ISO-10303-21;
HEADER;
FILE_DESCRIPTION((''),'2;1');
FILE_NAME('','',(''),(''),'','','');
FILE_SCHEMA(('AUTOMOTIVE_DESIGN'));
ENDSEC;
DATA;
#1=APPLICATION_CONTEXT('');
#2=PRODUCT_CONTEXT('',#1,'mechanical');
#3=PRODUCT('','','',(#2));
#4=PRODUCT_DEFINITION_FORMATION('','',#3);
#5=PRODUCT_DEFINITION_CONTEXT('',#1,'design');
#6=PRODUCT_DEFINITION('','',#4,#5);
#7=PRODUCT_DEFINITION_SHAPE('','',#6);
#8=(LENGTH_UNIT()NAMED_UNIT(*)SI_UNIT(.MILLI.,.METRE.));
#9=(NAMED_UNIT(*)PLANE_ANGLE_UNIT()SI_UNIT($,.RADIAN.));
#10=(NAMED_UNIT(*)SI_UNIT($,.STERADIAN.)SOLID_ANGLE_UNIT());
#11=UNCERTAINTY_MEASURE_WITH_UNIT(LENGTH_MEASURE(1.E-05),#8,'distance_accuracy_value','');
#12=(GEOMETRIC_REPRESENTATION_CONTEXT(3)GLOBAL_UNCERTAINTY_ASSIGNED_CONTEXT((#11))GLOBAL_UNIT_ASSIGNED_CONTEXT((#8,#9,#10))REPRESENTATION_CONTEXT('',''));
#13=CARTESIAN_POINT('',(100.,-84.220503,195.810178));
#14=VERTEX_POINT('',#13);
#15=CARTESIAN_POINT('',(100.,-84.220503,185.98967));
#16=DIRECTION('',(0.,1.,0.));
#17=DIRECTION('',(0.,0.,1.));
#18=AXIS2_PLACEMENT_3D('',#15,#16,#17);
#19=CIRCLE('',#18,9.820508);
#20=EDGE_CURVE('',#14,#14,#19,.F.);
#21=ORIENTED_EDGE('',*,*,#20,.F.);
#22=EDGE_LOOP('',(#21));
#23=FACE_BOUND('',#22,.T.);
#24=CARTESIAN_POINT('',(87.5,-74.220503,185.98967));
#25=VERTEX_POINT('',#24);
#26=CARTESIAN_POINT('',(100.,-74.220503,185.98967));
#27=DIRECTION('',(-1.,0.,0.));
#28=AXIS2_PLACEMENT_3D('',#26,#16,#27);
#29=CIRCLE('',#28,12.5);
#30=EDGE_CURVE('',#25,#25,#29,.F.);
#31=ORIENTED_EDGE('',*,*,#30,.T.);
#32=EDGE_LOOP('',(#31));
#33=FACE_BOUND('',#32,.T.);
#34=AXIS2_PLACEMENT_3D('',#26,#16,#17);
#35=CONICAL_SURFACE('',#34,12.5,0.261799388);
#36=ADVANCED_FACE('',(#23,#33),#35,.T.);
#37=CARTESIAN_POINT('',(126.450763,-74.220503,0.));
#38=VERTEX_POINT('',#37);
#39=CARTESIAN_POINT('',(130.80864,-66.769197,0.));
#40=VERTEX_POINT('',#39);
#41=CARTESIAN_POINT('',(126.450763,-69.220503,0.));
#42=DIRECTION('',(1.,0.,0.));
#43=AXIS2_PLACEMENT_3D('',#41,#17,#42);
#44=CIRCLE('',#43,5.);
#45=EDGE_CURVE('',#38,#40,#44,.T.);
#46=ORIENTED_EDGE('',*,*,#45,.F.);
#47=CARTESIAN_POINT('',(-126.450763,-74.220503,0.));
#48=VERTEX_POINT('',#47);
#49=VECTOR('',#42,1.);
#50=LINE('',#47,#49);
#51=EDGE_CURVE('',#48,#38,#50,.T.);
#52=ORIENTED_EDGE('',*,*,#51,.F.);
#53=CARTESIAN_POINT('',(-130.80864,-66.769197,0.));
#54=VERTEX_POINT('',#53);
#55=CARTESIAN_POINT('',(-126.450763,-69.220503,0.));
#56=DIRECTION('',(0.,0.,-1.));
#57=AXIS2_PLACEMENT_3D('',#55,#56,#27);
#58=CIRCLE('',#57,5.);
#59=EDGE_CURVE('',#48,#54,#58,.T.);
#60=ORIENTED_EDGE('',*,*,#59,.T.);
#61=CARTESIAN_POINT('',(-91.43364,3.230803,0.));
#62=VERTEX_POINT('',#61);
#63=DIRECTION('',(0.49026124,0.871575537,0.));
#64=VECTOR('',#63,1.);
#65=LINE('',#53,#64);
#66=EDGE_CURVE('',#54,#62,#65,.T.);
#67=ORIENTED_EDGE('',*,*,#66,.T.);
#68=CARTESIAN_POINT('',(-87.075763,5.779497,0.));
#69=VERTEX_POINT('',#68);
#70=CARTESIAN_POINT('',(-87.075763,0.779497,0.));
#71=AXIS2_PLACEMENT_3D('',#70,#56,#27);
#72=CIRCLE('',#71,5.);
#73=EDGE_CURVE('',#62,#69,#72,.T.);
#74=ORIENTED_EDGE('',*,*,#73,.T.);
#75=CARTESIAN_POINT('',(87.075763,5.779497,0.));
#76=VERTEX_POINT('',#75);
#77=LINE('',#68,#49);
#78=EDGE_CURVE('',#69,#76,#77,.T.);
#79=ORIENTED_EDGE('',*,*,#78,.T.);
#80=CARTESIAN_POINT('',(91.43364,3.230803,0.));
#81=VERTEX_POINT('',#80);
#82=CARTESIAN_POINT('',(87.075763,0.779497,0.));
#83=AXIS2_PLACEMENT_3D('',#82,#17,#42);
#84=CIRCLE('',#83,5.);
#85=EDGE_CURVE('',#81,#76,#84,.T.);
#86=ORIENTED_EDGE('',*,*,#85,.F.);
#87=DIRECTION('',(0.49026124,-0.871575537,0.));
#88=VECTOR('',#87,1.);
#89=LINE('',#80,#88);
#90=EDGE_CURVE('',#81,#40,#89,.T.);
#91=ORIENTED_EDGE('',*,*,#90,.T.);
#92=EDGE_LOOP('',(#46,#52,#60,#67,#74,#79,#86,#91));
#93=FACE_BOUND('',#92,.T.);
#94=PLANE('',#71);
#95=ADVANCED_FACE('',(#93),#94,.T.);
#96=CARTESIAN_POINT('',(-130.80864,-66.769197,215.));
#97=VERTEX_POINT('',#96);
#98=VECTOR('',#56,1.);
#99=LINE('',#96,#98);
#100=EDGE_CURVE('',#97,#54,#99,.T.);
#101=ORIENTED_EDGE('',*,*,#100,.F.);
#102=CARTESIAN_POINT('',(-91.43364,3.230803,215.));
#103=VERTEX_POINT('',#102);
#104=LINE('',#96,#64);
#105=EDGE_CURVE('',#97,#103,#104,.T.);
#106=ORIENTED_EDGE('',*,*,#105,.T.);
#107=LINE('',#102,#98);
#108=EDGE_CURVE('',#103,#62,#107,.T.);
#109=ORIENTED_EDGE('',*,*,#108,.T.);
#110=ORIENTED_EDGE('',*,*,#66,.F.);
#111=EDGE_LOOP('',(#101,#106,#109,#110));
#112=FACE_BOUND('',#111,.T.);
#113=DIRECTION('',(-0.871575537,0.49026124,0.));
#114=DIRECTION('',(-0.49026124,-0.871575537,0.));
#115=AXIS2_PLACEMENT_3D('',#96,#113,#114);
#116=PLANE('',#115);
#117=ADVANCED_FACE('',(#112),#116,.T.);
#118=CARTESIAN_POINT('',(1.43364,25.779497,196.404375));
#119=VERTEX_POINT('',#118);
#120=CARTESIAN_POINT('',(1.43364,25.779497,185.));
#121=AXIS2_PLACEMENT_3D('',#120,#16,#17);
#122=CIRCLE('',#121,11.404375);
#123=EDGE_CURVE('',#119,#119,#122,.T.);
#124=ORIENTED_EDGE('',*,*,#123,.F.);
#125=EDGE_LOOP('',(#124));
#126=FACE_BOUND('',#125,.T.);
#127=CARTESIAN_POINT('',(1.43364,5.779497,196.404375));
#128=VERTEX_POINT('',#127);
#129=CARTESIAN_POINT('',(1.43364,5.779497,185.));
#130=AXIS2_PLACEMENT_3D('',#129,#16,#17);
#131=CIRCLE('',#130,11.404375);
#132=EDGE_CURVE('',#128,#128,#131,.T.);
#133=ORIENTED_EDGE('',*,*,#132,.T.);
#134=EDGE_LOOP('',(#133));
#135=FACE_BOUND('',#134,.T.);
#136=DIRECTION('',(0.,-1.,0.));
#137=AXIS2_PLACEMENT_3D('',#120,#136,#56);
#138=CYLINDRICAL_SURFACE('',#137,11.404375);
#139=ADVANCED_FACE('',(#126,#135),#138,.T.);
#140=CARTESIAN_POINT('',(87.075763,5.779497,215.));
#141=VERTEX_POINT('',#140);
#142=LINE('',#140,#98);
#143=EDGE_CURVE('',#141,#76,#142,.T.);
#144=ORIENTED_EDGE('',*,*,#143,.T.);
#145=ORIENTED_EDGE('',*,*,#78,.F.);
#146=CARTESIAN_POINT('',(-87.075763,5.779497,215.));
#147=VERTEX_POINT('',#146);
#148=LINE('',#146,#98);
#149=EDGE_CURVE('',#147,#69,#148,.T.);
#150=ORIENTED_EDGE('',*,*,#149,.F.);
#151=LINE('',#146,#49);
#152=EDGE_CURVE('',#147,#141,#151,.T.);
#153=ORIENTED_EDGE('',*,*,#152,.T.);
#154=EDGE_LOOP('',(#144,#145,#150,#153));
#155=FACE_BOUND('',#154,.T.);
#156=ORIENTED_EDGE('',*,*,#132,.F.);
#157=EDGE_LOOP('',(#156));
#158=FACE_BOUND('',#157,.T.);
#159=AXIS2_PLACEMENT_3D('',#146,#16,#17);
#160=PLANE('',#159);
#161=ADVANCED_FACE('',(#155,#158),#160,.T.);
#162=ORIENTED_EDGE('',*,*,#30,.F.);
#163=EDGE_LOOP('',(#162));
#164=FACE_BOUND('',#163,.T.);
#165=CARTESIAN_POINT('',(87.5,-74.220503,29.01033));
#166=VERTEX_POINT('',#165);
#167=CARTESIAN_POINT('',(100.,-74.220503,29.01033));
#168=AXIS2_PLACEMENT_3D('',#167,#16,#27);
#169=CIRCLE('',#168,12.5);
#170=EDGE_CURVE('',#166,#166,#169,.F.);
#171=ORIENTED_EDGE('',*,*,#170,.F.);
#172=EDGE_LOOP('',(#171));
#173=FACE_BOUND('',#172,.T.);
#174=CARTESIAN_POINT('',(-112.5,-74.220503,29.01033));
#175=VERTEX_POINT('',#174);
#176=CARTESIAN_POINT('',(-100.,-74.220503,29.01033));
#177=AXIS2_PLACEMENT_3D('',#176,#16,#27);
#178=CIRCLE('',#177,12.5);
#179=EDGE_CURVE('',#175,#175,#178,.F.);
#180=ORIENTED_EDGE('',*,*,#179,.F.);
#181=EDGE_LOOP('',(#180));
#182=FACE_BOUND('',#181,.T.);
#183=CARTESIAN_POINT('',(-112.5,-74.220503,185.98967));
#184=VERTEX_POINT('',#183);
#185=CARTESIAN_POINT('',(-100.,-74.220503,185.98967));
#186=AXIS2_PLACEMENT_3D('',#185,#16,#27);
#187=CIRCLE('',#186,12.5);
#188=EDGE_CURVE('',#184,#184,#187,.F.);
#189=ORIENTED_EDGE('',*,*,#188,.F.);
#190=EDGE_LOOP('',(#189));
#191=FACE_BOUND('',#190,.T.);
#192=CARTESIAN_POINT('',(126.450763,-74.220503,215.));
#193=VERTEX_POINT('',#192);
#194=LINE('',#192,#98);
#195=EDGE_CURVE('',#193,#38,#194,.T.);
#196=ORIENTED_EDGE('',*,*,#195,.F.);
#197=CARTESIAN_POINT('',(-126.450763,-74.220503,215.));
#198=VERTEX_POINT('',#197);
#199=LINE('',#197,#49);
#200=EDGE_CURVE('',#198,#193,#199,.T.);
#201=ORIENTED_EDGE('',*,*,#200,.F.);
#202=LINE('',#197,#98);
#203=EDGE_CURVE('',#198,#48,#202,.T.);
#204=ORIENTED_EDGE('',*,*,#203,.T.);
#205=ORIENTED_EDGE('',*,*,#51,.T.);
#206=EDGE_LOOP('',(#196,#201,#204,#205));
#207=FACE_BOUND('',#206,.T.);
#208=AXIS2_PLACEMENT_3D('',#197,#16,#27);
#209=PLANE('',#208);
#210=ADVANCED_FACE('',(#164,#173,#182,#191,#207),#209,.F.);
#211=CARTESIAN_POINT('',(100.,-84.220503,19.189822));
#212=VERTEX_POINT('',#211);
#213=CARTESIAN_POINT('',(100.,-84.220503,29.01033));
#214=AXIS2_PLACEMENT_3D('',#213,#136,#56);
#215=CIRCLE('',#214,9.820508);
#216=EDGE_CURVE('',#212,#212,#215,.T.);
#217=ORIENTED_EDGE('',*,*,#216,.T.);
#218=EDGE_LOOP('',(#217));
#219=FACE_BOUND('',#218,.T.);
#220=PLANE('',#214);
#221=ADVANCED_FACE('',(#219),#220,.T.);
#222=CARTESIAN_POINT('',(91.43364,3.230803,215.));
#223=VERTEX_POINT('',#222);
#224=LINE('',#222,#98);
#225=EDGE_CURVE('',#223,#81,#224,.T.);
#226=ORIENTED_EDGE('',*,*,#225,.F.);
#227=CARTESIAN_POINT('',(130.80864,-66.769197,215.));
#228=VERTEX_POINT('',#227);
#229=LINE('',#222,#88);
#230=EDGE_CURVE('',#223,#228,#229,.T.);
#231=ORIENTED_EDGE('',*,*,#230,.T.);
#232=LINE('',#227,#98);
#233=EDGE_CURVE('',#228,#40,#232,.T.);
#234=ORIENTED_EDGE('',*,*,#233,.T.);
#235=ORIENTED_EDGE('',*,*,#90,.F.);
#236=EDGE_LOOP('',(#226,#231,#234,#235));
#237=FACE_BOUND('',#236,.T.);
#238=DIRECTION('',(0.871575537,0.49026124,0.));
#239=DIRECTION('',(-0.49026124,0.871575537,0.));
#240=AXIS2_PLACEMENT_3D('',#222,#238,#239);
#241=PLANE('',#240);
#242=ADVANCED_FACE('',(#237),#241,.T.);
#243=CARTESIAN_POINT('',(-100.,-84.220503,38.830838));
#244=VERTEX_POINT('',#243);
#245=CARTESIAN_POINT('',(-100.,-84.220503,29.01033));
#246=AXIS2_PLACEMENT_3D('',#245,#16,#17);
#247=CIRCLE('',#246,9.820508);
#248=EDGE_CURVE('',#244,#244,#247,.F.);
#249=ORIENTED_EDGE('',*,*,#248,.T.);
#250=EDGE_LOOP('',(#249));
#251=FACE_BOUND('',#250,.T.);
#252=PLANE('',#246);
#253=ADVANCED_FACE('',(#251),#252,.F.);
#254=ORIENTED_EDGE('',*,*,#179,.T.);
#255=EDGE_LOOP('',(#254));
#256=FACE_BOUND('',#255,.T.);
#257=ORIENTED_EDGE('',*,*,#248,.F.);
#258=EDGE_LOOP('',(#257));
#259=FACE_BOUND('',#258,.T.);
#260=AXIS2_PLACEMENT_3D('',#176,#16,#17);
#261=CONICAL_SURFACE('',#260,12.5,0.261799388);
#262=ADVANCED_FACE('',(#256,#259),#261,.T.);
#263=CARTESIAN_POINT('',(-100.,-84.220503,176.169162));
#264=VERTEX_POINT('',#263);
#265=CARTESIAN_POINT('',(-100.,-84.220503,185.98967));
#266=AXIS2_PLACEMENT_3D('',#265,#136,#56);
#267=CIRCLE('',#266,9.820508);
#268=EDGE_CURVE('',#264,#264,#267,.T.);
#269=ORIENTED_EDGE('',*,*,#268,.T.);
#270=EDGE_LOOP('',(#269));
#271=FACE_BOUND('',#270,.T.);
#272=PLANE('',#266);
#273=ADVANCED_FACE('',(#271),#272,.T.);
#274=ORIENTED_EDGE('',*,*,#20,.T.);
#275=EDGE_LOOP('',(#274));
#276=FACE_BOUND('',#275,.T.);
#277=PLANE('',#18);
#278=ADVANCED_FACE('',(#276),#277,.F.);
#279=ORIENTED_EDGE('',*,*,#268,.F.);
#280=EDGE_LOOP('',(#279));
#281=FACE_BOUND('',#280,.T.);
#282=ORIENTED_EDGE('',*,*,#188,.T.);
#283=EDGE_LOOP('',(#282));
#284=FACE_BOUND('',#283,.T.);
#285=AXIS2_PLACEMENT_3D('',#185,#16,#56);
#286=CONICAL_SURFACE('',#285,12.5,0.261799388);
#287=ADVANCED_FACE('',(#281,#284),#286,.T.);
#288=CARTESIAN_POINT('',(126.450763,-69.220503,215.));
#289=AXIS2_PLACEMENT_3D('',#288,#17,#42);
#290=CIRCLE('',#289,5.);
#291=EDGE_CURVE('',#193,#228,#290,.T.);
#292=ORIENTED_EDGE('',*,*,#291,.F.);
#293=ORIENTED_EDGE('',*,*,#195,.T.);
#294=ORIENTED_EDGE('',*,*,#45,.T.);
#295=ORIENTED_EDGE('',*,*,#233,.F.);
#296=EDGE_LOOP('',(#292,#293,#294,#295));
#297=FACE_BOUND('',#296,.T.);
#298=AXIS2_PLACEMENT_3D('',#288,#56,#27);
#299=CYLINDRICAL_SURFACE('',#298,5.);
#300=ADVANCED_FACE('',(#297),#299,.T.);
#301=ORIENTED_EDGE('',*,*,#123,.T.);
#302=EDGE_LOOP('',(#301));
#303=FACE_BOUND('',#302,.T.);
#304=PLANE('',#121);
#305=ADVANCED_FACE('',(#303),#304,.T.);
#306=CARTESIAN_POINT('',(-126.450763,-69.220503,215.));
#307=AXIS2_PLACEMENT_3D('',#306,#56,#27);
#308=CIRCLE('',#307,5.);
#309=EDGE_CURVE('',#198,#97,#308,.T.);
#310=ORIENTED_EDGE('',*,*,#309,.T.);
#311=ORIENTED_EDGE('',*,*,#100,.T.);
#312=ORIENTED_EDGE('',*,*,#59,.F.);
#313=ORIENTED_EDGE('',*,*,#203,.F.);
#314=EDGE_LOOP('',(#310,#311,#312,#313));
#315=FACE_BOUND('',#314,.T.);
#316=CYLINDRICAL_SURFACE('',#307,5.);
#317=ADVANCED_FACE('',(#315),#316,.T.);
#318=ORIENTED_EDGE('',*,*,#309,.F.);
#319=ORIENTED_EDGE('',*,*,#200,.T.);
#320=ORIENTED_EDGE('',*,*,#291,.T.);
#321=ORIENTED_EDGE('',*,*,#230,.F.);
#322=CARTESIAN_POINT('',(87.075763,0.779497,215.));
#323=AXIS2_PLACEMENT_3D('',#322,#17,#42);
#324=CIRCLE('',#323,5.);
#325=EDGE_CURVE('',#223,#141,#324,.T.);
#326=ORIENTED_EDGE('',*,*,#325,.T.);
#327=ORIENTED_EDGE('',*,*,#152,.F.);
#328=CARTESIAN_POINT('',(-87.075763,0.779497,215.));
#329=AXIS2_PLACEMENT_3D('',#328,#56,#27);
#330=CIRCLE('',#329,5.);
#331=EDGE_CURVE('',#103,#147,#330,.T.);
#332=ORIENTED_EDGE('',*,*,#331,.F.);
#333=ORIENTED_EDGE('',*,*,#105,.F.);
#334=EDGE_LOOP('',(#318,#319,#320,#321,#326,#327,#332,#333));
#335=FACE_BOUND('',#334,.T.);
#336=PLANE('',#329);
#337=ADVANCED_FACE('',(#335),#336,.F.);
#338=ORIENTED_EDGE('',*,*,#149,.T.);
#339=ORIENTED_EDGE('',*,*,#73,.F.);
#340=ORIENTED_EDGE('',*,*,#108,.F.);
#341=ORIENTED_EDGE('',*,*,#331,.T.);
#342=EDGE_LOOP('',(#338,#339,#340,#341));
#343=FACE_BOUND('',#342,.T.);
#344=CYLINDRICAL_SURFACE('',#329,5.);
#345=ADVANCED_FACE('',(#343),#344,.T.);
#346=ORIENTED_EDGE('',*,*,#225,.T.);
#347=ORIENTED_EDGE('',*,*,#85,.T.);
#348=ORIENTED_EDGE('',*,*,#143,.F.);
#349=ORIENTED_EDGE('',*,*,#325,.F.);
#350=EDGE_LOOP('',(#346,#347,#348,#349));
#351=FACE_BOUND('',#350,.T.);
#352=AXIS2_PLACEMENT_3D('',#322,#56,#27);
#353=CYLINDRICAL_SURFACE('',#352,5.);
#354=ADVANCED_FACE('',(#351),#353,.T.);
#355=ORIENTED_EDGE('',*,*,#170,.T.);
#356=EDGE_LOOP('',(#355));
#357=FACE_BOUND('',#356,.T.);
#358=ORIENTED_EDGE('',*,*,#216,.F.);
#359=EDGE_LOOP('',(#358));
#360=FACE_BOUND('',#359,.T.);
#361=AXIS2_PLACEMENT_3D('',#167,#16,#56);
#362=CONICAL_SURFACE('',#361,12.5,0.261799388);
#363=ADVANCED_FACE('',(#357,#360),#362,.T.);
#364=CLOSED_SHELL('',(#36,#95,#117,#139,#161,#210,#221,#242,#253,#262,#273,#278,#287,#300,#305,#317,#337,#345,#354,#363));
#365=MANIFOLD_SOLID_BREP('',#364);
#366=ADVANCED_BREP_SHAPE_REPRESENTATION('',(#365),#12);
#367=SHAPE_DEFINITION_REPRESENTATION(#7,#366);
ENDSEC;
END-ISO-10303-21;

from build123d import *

# Parameters (mm, degrees)
EXTRUDE_1_DEPTH           = 215
SKETCH_2_R                = 12.5
EXTRUDE_2_DEPTH           = 10
EXTRUDE_2_DRAFT           = 15
EXTRUDE_2_PROFILE_2_DEPTH = 10
EXTRUDE_2_PROFILE_2_DRAFT = 15
EXTRUDE_2_PROFILE_3_DEPTH = 10
EXTRUDE_2_PROFILE_3_DRAFT = 15
EXTRUDE_2_PROFILE_4_DEPTH = 10
EXTRUDE_2_PROFILE_4_DRAFT = 15
SKETCH1_R                 = 11.40437452
BOSS_EXTRUDE1_DEPTH       = 20


with BuildPart() as part:
    # 草圖1 → 填料-伸長1 (new body)
    with BuildSketch(Plane.XY):
        with BuildLine():
            Line((-130.808640264, -66.769197125), (-91.433640264, 3.230802875))
            ThreePointArc((-91.433640264, 3.230802875), (-89.599992065, 5.095544116), (-87.075762578, 5.779496677))
            Line((-87.075762578, 5.779496677), (87.075762578, 5.779496677))
            ThreePointArc((87.075762578, 5.779496677), (89.599992065, 5.095544116), (91.433640264, 3.230802875))
            Line((91.433640264, 3.230802875), (130.808640264, -66.769197125))
            ThreePointArc((130.808640264, -66.769197125), (130.766810017, -71.74473281), (126.450762578, -74.220503323))
            Line((126.450762578, -74.220503323), (-126.450762578, -74.220503323))
            ThreePointArc((-126.450762578, -74.220503323), (-130.766810017, -71.74473281), (-130.808640264, -66.769197125))
        make_face()
    extrude(amount=EXTRUDE_1_DEPTH)


with BuildPart() as extrude_2_tool:
    # 草圖2 → 填料-伸長2 (with draft: the straight prism first)
    with BuildSketch(Plane.XZ.offset(74.220503323)):
        with Locations((-100, 185.989670211)):
            Circle(SKETCH_2_R)
    extrude(amount=EXTRUDE_2_DEPTH)
    # 填料-伸長2: the draft: its side faces are tilted about the plane it starts from
    extrude_2_sides = [extrude_2_tool.faces().sort_by_distance(p)[0] for p in [
        (-112.5, -79.220503323, 185.989670211),
    ]]
    draft(extrude_2_sides, Plane.XZ.offset(74.220503323), EXTRUDE_2_DRAFT)


with BuildPart() as part_1:
    add(part.part)

    # 填料-伸長2: add extrude_2_tool
    add(extrude_2_tool.part)


with BuildPart() as extrude_2_profile_2_tool:
    # 草圖2 → 填料-伸長2 profile 2 (with draft: the straight prism first)
    with BuildSketch(Plane.XZ.offset(74.220503323)):
        with Locations((-100, 29.010329789)):
            Circle(SKETCH_2_R)
    extrude(amount=EXTRUDE_2_PROFILE_2_DEPTH)
    # 填料-伸長2 profile 2: the draft: its side faces are tilted about the plane it starts from
    extrude_2_profile_2_sides = [extrude_2_profile_2_tool.faces().sort_by_distance(p)[0] for p in [
        (-112.5, -79.220503323, 29.010329789),
    ]]
    draft(extrude_2_profile_2_sides, Plane.XZ.offset(74.220503323), EXTRUDE_2_PROFILE_2_DRAFT)


with BuildPart() as part_2:
    add(part_1.part)

    # 填料-伸長2 profile 2: add extrude_2_profile_2_tool
    add(extrude_2_profile_2_tool.part)


with BuildPart() as extrude_2_profile_3_tool:
    # 草圖2 → 填料-伸長2 profile 3 (with draft: the straight prism first)
    with BuildSketch(Plane.XZ.offset(74.220503323)):
        with Locations((100, 29.010329789)):
            Circle(SKETCH_2_R)
    extrude(amount=EXTRUDE_2_PROFILE_3_DEPTH)
    # 填料-伸長2 profile 3: the draft: its side faces are tilted about the plane it starts from
    extrude_2_profile_3_sides = [extrude_2_profile_3_tool.faces().sort_by_distance(p)[0] for p in [
        (87.5, -79.220503323, 29.010329789),
    ]]
    draft(extrude_2_profile_3_sides, Plane.XZ.offset(74.220503323), EXTRUDE_2_PROFILE_3_DRAFT)


with BuildPart() as part_3:
    add(part_2.part)

    # 填料-伸長2 profile 3: add extrude_2_profile_3_tool
    add(extrude_2_profile_3_tool.part)


with BuildPart() as extrude_2_profile_4_tool:
    # 草圖2 → 填料-伸長2 profile 4 (with draft: the straight prism first)
    with BuildSketch(Plane.XZ.offset(74.220503323)):
        with Locations((100, 185.989670211)):
            Circle(SKETCH_2_R)
    extrude(amount=EXTRUDE_2_PROFILE_4_DEPTH)
    # 填料-伸長2 profile 4: the draft: its side faces are tilted about the plane it starts from
    extrude_2_profile_4_sides = [extrude_2_profile_4_tool.faces().sort_by_distance(p)[0] for p in [
        (87.5, -79.220503323, 185.989670211),
    ]]
    draft(extrude_2_profile_4_sides, Plane.XZ.offset(74.220503323), EXTRUDE_2_PROFILE_4_DRAFT)


with BuildPart() as part_4:
    add(part_3.part)

    # 填料-伸長2 profile 4: add extrude_2_profile_4_tool
    add(extrude_2_profile_4_tool.part)

    # Sketch1 → Boss-Extrude1 (add)
    with BuildSketch(Plane(origin=(0, 5.779496677, 0), x_dir=(1, 0, 0), z_dir=(0, 1, 0))):
        with Locations(Location((1.433640264, -185, 0), (0, 0, 270))):
            Circle(SKETCH1_R)
    extrude(amount=BOSS_EXTRUDE1_DEPTH)


solid = part_4.part
